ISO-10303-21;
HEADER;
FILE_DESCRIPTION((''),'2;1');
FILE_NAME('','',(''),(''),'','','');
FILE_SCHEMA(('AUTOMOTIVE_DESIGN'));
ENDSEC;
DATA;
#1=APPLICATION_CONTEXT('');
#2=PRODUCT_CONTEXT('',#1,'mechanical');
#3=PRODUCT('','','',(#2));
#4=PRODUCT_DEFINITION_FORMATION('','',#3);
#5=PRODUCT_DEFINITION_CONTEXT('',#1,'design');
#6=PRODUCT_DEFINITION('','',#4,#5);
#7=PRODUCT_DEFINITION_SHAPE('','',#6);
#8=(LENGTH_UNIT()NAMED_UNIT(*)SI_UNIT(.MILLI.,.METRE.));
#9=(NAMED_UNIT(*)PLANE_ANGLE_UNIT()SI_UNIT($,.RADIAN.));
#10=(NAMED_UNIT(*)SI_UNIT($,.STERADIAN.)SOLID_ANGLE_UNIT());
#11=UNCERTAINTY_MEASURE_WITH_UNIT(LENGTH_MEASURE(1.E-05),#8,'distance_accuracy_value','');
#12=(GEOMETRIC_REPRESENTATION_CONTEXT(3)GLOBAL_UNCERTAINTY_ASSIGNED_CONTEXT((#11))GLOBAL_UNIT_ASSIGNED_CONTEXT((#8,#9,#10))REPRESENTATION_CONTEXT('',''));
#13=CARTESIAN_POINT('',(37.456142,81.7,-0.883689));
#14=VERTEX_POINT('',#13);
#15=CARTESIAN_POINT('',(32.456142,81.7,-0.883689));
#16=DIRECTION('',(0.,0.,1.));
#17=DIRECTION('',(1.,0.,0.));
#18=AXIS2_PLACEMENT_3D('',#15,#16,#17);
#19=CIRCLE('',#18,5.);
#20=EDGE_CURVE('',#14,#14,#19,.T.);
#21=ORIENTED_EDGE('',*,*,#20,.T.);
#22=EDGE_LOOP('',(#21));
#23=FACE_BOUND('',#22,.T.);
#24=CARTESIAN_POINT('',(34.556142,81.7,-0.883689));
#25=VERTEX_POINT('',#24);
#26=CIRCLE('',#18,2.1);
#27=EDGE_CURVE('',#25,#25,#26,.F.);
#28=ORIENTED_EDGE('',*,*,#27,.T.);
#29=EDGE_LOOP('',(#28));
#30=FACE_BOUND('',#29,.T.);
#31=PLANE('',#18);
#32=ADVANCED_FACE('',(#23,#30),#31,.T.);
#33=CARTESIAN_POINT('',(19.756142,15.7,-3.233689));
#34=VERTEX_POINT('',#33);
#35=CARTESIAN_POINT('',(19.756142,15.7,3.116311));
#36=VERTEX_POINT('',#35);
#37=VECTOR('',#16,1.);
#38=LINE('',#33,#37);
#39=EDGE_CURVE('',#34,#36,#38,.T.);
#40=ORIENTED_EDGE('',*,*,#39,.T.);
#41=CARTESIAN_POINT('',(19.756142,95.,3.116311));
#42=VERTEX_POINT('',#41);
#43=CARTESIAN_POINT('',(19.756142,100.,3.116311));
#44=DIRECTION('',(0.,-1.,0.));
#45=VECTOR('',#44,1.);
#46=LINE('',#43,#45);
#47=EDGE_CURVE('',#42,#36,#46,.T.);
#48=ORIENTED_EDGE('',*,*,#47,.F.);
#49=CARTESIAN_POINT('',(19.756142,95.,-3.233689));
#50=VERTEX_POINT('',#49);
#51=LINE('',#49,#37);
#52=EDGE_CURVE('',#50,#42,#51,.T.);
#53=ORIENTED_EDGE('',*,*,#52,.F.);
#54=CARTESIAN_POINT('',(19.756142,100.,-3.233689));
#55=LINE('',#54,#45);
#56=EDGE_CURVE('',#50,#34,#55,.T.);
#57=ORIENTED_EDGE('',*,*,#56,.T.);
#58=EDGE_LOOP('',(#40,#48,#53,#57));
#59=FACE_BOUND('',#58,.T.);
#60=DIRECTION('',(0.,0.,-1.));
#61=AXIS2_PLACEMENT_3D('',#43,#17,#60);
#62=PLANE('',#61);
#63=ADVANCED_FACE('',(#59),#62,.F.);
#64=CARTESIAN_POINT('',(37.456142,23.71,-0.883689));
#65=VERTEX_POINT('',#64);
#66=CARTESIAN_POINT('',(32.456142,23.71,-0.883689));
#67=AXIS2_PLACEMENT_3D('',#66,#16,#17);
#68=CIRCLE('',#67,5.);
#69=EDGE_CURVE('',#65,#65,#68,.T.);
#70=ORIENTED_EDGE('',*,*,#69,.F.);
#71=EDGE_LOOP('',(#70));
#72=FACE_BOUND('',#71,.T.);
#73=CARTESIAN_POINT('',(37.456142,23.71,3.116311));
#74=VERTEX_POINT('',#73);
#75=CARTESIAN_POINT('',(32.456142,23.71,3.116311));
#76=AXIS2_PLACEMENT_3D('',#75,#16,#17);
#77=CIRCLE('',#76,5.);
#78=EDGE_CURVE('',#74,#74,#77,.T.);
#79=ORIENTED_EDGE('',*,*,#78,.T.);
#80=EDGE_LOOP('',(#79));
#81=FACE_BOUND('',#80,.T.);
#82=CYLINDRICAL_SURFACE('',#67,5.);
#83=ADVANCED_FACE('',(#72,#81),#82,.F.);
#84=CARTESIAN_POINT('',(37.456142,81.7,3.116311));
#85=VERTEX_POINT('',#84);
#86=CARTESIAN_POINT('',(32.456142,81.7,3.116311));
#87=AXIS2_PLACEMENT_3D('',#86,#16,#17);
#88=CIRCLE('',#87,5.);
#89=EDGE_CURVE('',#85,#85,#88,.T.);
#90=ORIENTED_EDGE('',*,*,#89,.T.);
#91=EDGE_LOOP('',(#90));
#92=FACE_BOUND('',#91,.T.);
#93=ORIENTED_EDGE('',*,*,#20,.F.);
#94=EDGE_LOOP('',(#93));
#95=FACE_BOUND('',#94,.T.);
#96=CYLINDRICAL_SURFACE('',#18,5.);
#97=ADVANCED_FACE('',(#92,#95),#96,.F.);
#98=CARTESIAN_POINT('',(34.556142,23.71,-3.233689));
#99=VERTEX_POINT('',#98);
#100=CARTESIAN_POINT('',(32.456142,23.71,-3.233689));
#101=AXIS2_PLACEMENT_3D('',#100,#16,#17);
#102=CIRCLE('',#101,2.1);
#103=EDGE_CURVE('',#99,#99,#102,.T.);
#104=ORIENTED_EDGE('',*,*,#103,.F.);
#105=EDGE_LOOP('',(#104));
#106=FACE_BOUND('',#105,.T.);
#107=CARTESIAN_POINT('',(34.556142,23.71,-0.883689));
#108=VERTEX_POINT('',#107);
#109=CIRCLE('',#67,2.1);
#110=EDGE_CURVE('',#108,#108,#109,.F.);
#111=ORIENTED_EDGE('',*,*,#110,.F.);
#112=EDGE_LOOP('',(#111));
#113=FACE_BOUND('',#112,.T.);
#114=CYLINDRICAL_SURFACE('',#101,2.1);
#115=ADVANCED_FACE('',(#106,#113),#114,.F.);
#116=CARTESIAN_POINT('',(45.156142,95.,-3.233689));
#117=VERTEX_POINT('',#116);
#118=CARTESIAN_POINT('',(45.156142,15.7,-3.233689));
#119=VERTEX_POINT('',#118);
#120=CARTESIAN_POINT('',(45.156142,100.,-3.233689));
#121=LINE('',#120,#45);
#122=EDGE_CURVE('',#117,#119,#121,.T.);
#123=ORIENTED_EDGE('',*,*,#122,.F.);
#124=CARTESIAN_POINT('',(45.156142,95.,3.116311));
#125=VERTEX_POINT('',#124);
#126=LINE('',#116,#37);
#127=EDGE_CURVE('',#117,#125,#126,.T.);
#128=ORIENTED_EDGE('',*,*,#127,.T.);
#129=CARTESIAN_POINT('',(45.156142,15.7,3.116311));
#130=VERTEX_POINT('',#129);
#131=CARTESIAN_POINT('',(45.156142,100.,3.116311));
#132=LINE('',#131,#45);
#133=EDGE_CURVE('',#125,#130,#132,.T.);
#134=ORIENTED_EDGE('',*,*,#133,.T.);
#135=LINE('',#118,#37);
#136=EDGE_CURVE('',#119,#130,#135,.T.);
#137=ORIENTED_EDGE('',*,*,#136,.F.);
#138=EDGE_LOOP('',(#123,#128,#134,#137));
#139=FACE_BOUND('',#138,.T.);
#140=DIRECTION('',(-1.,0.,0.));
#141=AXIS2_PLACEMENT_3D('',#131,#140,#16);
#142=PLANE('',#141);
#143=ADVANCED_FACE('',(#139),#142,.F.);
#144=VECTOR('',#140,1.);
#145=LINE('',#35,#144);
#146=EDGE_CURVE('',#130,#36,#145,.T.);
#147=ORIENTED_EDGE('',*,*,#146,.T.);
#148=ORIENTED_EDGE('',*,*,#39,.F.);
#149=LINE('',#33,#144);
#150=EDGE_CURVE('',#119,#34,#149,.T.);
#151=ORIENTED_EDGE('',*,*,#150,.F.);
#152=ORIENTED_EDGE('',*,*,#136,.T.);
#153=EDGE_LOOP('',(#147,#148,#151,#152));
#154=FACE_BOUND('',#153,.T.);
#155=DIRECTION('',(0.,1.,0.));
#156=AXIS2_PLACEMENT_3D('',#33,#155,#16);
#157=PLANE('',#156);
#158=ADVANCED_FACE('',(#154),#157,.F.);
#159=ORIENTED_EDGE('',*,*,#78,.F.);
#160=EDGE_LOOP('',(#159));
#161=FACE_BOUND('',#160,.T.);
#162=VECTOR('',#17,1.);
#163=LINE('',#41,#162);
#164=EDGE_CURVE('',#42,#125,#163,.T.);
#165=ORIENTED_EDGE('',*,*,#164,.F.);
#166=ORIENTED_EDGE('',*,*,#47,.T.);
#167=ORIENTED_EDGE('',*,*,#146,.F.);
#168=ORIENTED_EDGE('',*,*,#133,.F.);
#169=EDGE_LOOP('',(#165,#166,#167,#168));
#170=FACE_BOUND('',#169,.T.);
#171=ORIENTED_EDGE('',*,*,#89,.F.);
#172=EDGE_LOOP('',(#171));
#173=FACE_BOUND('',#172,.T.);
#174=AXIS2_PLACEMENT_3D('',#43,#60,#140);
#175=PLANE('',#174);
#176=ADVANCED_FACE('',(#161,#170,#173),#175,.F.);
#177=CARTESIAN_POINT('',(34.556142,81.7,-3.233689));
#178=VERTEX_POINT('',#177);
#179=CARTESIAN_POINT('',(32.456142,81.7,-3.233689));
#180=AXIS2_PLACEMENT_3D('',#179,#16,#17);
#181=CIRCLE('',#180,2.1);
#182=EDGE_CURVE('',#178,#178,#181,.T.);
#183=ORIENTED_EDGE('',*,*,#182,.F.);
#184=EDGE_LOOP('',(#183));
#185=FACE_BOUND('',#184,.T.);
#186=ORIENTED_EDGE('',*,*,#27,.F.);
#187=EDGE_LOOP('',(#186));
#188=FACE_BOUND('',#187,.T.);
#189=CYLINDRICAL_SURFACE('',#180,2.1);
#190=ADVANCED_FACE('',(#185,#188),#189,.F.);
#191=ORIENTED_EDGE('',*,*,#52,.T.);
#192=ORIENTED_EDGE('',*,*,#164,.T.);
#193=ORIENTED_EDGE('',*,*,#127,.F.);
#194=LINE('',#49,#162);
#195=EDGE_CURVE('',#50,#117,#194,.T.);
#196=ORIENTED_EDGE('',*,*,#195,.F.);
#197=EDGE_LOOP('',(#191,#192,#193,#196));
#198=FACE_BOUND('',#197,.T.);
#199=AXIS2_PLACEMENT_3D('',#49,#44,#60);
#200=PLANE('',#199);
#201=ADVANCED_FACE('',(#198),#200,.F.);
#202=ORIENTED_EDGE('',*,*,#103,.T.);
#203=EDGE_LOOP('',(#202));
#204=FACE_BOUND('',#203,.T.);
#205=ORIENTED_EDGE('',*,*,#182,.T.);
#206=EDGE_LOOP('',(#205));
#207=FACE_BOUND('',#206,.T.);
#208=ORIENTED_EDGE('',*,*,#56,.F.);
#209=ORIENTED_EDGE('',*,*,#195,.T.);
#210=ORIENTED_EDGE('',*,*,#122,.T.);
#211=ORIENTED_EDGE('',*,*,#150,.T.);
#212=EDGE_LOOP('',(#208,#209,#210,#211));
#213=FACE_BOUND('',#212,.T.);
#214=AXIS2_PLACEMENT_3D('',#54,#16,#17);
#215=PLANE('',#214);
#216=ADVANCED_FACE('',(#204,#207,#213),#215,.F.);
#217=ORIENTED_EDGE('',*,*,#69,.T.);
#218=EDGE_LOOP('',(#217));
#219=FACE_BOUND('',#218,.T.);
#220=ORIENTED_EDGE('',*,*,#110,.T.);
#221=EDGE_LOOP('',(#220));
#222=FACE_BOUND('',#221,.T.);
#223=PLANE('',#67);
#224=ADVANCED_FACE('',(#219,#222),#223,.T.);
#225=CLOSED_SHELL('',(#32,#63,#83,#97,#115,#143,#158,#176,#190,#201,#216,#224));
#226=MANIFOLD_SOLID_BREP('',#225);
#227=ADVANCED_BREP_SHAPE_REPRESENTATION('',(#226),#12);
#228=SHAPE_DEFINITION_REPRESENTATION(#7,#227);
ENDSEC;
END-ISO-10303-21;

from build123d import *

# Parameters (mm, degrees)
SKETCH1_W           = 25.4
SKETCH1_H           = 6.35
BOSS_EXTRUDE1_DEPTH = 100
SKETCH2_R           = 2.1
CUT_EXTRUDE1_DEPTH  = 110.906322202
SKETCH2_3_R         = 5
CUT_EXTRUDE2_DEPTH  = 4
SKETCH2_4_R         = 5
CUT_EXTRUDE3_DEPTH  = 4
SKETCH5_W           = 25.4
SKETCH5_H           = 5
SKETCH5_H_2         = 12
CUT_EXTRUDE4_DEPTH  = 110.906322202
SKETCH6_W           = 25.4
SKETCH6_H           = 3.7
CUT_EXTRUDE5_DEPTH  = 106.377415322


with BuildPart() as part:
    # Sketch1 → Boss-Extrude1 (new body)
    with BuildSketch(Plane(origin=(0, 0, 0), x_dir=(1, 0, 0), z_dir=(0, 1, 0))):
        with Locations((32.456141995, 0.058688594)):
            Rectangle(SKETCH1_W, SKETCH1_H)
    extrude(amount=BOSS_EXTRUDE1_DEPTH)

    # Sketch2 → Cut-Extrude1 (cut, through all)
    with BuildSketch(Plane.XY.offset(3.116311406)):
        with Locations((32.456141995, 81.7)):
            Circle(SKETCH2_R)
        with Locations((32.456141995, 23.71)):
            Circle(SKETCH2_R)
    extrude(amount=-CUT_EXTRUDE1_DEPTH, mode=Mode.SUBTRACT)

    # Sketch2<3> → Cut-Extrude2 (cut)
    with BuildSketch(Plane.XY.offset(3.116311406)):
        with Locations((32.456141995, 81.7)):
            Circle(SKETCH2_3_R)
    extrude(amount=-CUT_EXTRUDE2_DEPTH, mode=Mode.SUBTRACT)

    # Sketch2<4> → Cut-Extrude3 (cut)
    with BuildSketch(Plane.XY.offset(3.116311406)):
        with Locations((32.456141995, 23.71)):
            Circle(SKETCH2_4_R)
    extrude(amount=-CUT_EXTRUDE3_DEPTH, mode=Mode.SUBTRACT)

    # Sketch5 → Cut-Extrude4 (cut, through all)
    with BuildSketch(Plane.XY.offset(3.116311406)):
        with Locations((32.456141995, 97.5)):
            Rectangle(SKETCH5_W, SKETCH5_H)
        with Locations((32.456141995, 6)):
            Rectangle(SKETCH5_W, SKETCH5_H_2)
    extrude(amount=-CUT_EXTRUDE4_DEPTH, mode=Mode.SUBTRACT)

    # Sketch6 → Cut-Extrude5 (cut, through all)
    with BuildSketch(Plane.XY.offset(3.116311406)):
        with Locations((32.456141995, 13.85)):
            Rectangle(SKETCH6_W, SKETCH6_H)
    extrude(amount=-CUT_EXTRUDE5_DEPTH, mode=Mode.SUBTRACT)


solid = part.part
